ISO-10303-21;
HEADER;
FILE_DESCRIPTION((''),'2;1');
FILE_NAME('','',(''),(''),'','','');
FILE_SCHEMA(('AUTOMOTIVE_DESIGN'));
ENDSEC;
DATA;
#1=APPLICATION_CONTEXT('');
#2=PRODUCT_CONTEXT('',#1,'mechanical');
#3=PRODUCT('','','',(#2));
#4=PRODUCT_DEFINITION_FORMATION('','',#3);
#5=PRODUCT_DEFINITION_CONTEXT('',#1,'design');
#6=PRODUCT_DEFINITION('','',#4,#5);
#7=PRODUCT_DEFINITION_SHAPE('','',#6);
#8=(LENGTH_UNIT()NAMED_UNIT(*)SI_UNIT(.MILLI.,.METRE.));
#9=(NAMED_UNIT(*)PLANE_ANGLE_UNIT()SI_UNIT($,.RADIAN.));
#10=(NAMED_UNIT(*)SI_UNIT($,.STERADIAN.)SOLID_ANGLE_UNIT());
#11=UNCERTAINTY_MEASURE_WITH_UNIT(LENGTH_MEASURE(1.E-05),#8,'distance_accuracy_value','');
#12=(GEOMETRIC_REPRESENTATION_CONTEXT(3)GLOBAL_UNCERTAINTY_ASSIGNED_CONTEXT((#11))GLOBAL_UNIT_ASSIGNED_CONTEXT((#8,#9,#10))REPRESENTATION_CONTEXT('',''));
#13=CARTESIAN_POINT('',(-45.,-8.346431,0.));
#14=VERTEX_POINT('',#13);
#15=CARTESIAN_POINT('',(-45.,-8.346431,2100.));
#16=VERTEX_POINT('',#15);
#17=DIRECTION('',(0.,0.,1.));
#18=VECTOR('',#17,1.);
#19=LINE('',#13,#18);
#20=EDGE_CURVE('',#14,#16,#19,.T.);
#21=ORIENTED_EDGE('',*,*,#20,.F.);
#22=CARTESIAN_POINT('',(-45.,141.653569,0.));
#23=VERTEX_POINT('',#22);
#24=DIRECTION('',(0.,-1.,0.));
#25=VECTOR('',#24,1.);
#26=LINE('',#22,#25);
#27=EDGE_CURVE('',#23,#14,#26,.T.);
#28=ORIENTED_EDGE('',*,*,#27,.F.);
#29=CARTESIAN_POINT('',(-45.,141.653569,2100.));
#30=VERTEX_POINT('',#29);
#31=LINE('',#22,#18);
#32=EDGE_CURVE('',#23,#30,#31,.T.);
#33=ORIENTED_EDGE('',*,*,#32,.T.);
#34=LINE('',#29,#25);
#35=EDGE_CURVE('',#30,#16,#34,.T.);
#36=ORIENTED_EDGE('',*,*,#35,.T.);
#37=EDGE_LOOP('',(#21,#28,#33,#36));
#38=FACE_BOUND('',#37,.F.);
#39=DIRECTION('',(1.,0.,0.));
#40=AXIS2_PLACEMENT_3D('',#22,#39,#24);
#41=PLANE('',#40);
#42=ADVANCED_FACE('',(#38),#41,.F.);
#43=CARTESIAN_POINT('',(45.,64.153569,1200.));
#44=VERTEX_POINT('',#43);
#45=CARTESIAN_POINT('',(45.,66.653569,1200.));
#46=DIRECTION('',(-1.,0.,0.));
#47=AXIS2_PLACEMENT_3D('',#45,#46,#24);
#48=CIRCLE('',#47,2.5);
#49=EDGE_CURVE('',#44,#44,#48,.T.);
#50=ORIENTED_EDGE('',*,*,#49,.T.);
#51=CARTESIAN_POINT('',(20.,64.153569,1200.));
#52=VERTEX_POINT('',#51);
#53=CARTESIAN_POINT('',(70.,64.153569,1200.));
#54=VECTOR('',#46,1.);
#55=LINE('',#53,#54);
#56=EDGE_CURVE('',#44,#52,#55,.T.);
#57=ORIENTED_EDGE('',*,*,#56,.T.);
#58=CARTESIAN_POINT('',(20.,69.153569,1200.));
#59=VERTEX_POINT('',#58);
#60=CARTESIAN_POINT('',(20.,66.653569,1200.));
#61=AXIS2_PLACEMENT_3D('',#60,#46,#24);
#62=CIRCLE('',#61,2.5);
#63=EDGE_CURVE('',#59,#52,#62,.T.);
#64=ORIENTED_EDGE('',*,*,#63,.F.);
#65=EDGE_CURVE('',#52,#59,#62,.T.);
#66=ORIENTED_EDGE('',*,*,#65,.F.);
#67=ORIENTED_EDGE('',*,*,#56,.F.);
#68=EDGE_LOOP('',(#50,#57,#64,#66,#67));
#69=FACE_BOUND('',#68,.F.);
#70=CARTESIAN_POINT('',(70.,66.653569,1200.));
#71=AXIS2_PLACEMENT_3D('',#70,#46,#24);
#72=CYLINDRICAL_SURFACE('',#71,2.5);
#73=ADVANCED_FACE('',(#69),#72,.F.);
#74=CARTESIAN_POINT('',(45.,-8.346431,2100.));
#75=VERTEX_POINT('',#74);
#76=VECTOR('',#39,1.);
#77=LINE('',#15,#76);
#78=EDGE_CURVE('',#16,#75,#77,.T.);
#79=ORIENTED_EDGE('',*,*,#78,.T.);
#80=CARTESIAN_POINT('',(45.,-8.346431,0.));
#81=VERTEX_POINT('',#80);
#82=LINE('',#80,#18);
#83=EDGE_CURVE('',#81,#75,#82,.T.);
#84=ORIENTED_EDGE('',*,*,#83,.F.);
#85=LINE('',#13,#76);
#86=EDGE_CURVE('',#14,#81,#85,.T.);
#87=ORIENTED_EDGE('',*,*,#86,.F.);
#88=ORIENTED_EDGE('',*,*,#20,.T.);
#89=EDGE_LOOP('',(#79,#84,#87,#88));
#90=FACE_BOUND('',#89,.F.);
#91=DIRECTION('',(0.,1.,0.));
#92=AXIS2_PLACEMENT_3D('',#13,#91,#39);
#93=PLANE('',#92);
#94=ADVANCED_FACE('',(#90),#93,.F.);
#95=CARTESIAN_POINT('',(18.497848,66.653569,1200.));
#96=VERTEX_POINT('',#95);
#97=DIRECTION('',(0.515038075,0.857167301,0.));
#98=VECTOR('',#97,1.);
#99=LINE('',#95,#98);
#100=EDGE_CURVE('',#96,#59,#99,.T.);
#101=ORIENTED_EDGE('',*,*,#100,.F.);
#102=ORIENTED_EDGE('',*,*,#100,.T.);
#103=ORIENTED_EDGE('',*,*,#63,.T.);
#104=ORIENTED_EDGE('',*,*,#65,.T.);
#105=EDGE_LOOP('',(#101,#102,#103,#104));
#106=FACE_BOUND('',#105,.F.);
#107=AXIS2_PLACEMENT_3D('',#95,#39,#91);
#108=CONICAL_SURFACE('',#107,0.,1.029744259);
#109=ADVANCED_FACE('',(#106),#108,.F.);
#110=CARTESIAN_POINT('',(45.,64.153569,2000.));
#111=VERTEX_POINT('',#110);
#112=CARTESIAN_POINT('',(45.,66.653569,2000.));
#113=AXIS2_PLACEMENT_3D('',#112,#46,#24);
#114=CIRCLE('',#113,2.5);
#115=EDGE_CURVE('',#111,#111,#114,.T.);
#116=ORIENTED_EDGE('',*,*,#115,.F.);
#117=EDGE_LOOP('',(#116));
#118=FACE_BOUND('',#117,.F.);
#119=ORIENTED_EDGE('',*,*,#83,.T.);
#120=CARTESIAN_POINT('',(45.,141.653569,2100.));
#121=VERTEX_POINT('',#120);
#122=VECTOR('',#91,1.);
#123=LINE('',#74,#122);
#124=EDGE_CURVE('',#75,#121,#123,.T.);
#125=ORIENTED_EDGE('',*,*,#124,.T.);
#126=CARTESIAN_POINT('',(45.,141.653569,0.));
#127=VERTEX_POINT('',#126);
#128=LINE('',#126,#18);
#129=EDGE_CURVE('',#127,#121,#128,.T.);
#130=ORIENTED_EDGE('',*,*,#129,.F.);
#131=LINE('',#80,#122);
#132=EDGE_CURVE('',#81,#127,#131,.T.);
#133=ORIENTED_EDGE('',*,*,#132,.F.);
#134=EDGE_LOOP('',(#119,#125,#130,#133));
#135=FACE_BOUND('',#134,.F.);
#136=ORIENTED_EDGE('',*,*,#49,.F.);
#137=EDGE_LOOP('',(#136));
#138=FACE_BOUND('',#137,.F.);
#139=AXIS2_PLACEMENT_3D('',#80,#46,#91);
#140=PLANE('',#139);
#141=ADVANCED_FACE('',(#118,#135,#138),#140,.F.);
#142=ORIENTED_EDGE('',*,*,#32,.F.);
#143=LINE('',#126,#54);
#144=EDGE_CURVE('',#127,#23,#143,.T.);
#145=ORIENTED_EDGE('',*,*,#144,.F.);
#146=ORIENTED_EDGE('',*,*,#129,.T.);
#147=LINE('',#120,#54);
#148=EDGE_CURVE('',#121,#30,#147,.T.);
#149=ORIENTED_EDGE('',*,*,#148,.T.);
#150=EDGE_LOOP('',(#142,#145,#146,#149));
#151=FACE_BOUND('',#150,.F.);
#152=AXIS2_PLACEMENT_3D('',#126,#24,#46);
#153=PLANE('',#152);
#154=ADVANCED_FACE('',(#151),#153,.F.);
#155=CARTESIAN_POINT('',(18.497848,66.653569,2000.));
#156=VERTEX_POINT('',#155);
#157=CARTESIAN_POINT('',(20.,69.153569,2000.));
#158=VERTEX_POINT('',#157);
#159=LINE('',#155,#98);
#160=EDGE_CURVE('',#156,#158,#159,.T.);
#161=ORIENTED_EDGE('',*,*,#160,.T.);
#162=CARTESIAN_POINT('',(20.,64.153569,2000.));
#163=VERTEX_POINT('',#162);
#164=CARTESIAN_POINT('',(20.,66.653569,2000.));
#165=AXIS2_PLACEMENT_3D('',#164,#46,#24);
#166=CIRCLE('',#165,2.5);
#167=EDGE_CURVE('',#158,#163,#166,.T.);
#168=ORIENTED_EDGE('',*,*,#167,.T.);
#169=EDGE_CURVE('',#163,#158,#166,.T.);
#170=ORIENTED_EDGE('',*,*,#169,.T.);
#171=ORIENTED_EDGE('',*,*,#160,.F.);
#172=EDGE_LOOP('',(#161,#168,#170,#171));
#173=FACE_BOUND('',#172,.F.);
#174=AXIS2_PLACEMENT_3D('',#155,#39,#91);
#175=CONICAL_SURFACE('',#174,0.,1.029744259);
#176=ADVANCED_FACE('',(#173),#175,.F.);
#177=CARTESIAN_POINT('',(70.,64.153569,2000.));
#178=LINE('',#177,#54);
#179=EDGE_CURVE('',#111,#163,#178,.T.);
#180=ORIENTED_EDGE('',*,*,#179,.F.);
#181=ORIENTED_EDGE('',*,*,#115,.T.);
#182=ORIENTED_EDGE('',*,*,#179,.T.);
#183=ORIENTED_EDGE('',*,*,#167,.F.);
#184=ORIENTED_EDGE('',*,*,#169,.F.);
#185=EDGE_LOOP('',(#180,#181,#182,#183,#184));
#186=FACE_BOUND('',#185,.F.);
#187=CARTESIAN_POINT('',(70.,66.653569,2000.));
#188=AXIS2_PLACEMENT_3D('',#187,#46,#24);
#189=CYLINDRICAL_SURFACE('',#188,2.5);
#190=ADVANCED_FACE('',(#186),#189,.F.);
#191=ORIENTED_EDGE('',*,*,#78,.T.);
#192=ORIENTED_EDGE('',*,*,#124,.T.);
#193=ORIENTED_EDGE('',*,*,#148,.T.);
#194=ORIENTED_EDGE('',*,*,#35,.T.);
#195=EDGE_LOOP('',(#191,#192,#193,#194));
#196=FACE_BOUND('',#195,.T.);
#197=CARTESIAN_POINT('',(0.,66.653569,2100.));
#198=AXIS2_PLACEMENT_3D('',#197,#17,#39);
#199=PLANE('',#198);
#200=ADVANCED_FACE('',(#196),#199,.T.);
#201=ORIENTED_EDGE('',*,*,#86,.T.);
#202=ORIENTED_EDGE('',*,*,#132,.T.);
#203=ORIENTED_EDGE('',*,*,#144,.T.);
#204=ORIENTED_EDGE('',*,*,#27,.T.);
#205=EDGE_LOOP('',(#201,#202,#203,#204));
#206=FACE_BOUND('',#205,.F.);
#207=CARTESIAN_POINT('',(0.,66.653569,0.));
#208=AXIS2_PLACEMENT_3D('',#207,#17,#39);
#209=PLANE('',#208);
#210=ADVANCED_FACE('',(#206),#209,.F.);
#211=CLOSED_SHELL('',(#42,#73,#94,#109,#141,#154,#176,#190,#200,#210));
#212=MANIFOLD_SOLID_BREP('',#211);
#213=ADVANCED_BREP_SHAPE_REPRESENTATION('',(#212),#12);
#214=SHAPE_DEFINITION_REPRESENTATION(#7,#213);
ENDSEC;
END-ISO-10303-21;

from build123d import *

# Parameters (mm, degrees)
F1_DEPTH = 2100
F3_D     = 5
F3_DEPTH = 25
F3_TIP   = 1.5021515476
F4_D     = 5
F4_DEPTH = 25
F4_TIP   = 1.5021515476


with BuildPart() as f1:
    # F0 (on Top) → F1 (new body)
    with BuildSketch(Plane.XY):
        Polygon((-34.2555230263, 141.6535690603), (-45, 141.6535690603), (-45, -8.3464309397), (45, -8.3464309397), (45, 141.6535690603), (34.2555230263, 141.6535690603), align=None)
    extrude(amount=F1_DEPTH)

    # F3
    with Locations(Plane.YZ.offset(45)):
        with Locations((66.6535690603, 1200)):
            Hole(F3_D / 2, depth=F3_DEPTH)
            with Locations((0, 0, -(F3_DEPTH + F3_TIP / 2))):  # 118° drill point
                Cone(0, F3_D / 2, F3_TIP, mode=Mode.SUBTRACT)

    # F4
    with Locations(Plane.YZ.offset(45)):
        with Locations((66.6535690603, 2000)):
            Hole(F4_D / 2, depth=F4_DEPTH)
            with Locations((0, 0, -(F4_DEPTH + F4_TIP / 2))):  # 118° drill point
                Cone(0, F4_D / 2, F4_TIP, mode=Mode.SUBTRACT)


solid = f1.part
